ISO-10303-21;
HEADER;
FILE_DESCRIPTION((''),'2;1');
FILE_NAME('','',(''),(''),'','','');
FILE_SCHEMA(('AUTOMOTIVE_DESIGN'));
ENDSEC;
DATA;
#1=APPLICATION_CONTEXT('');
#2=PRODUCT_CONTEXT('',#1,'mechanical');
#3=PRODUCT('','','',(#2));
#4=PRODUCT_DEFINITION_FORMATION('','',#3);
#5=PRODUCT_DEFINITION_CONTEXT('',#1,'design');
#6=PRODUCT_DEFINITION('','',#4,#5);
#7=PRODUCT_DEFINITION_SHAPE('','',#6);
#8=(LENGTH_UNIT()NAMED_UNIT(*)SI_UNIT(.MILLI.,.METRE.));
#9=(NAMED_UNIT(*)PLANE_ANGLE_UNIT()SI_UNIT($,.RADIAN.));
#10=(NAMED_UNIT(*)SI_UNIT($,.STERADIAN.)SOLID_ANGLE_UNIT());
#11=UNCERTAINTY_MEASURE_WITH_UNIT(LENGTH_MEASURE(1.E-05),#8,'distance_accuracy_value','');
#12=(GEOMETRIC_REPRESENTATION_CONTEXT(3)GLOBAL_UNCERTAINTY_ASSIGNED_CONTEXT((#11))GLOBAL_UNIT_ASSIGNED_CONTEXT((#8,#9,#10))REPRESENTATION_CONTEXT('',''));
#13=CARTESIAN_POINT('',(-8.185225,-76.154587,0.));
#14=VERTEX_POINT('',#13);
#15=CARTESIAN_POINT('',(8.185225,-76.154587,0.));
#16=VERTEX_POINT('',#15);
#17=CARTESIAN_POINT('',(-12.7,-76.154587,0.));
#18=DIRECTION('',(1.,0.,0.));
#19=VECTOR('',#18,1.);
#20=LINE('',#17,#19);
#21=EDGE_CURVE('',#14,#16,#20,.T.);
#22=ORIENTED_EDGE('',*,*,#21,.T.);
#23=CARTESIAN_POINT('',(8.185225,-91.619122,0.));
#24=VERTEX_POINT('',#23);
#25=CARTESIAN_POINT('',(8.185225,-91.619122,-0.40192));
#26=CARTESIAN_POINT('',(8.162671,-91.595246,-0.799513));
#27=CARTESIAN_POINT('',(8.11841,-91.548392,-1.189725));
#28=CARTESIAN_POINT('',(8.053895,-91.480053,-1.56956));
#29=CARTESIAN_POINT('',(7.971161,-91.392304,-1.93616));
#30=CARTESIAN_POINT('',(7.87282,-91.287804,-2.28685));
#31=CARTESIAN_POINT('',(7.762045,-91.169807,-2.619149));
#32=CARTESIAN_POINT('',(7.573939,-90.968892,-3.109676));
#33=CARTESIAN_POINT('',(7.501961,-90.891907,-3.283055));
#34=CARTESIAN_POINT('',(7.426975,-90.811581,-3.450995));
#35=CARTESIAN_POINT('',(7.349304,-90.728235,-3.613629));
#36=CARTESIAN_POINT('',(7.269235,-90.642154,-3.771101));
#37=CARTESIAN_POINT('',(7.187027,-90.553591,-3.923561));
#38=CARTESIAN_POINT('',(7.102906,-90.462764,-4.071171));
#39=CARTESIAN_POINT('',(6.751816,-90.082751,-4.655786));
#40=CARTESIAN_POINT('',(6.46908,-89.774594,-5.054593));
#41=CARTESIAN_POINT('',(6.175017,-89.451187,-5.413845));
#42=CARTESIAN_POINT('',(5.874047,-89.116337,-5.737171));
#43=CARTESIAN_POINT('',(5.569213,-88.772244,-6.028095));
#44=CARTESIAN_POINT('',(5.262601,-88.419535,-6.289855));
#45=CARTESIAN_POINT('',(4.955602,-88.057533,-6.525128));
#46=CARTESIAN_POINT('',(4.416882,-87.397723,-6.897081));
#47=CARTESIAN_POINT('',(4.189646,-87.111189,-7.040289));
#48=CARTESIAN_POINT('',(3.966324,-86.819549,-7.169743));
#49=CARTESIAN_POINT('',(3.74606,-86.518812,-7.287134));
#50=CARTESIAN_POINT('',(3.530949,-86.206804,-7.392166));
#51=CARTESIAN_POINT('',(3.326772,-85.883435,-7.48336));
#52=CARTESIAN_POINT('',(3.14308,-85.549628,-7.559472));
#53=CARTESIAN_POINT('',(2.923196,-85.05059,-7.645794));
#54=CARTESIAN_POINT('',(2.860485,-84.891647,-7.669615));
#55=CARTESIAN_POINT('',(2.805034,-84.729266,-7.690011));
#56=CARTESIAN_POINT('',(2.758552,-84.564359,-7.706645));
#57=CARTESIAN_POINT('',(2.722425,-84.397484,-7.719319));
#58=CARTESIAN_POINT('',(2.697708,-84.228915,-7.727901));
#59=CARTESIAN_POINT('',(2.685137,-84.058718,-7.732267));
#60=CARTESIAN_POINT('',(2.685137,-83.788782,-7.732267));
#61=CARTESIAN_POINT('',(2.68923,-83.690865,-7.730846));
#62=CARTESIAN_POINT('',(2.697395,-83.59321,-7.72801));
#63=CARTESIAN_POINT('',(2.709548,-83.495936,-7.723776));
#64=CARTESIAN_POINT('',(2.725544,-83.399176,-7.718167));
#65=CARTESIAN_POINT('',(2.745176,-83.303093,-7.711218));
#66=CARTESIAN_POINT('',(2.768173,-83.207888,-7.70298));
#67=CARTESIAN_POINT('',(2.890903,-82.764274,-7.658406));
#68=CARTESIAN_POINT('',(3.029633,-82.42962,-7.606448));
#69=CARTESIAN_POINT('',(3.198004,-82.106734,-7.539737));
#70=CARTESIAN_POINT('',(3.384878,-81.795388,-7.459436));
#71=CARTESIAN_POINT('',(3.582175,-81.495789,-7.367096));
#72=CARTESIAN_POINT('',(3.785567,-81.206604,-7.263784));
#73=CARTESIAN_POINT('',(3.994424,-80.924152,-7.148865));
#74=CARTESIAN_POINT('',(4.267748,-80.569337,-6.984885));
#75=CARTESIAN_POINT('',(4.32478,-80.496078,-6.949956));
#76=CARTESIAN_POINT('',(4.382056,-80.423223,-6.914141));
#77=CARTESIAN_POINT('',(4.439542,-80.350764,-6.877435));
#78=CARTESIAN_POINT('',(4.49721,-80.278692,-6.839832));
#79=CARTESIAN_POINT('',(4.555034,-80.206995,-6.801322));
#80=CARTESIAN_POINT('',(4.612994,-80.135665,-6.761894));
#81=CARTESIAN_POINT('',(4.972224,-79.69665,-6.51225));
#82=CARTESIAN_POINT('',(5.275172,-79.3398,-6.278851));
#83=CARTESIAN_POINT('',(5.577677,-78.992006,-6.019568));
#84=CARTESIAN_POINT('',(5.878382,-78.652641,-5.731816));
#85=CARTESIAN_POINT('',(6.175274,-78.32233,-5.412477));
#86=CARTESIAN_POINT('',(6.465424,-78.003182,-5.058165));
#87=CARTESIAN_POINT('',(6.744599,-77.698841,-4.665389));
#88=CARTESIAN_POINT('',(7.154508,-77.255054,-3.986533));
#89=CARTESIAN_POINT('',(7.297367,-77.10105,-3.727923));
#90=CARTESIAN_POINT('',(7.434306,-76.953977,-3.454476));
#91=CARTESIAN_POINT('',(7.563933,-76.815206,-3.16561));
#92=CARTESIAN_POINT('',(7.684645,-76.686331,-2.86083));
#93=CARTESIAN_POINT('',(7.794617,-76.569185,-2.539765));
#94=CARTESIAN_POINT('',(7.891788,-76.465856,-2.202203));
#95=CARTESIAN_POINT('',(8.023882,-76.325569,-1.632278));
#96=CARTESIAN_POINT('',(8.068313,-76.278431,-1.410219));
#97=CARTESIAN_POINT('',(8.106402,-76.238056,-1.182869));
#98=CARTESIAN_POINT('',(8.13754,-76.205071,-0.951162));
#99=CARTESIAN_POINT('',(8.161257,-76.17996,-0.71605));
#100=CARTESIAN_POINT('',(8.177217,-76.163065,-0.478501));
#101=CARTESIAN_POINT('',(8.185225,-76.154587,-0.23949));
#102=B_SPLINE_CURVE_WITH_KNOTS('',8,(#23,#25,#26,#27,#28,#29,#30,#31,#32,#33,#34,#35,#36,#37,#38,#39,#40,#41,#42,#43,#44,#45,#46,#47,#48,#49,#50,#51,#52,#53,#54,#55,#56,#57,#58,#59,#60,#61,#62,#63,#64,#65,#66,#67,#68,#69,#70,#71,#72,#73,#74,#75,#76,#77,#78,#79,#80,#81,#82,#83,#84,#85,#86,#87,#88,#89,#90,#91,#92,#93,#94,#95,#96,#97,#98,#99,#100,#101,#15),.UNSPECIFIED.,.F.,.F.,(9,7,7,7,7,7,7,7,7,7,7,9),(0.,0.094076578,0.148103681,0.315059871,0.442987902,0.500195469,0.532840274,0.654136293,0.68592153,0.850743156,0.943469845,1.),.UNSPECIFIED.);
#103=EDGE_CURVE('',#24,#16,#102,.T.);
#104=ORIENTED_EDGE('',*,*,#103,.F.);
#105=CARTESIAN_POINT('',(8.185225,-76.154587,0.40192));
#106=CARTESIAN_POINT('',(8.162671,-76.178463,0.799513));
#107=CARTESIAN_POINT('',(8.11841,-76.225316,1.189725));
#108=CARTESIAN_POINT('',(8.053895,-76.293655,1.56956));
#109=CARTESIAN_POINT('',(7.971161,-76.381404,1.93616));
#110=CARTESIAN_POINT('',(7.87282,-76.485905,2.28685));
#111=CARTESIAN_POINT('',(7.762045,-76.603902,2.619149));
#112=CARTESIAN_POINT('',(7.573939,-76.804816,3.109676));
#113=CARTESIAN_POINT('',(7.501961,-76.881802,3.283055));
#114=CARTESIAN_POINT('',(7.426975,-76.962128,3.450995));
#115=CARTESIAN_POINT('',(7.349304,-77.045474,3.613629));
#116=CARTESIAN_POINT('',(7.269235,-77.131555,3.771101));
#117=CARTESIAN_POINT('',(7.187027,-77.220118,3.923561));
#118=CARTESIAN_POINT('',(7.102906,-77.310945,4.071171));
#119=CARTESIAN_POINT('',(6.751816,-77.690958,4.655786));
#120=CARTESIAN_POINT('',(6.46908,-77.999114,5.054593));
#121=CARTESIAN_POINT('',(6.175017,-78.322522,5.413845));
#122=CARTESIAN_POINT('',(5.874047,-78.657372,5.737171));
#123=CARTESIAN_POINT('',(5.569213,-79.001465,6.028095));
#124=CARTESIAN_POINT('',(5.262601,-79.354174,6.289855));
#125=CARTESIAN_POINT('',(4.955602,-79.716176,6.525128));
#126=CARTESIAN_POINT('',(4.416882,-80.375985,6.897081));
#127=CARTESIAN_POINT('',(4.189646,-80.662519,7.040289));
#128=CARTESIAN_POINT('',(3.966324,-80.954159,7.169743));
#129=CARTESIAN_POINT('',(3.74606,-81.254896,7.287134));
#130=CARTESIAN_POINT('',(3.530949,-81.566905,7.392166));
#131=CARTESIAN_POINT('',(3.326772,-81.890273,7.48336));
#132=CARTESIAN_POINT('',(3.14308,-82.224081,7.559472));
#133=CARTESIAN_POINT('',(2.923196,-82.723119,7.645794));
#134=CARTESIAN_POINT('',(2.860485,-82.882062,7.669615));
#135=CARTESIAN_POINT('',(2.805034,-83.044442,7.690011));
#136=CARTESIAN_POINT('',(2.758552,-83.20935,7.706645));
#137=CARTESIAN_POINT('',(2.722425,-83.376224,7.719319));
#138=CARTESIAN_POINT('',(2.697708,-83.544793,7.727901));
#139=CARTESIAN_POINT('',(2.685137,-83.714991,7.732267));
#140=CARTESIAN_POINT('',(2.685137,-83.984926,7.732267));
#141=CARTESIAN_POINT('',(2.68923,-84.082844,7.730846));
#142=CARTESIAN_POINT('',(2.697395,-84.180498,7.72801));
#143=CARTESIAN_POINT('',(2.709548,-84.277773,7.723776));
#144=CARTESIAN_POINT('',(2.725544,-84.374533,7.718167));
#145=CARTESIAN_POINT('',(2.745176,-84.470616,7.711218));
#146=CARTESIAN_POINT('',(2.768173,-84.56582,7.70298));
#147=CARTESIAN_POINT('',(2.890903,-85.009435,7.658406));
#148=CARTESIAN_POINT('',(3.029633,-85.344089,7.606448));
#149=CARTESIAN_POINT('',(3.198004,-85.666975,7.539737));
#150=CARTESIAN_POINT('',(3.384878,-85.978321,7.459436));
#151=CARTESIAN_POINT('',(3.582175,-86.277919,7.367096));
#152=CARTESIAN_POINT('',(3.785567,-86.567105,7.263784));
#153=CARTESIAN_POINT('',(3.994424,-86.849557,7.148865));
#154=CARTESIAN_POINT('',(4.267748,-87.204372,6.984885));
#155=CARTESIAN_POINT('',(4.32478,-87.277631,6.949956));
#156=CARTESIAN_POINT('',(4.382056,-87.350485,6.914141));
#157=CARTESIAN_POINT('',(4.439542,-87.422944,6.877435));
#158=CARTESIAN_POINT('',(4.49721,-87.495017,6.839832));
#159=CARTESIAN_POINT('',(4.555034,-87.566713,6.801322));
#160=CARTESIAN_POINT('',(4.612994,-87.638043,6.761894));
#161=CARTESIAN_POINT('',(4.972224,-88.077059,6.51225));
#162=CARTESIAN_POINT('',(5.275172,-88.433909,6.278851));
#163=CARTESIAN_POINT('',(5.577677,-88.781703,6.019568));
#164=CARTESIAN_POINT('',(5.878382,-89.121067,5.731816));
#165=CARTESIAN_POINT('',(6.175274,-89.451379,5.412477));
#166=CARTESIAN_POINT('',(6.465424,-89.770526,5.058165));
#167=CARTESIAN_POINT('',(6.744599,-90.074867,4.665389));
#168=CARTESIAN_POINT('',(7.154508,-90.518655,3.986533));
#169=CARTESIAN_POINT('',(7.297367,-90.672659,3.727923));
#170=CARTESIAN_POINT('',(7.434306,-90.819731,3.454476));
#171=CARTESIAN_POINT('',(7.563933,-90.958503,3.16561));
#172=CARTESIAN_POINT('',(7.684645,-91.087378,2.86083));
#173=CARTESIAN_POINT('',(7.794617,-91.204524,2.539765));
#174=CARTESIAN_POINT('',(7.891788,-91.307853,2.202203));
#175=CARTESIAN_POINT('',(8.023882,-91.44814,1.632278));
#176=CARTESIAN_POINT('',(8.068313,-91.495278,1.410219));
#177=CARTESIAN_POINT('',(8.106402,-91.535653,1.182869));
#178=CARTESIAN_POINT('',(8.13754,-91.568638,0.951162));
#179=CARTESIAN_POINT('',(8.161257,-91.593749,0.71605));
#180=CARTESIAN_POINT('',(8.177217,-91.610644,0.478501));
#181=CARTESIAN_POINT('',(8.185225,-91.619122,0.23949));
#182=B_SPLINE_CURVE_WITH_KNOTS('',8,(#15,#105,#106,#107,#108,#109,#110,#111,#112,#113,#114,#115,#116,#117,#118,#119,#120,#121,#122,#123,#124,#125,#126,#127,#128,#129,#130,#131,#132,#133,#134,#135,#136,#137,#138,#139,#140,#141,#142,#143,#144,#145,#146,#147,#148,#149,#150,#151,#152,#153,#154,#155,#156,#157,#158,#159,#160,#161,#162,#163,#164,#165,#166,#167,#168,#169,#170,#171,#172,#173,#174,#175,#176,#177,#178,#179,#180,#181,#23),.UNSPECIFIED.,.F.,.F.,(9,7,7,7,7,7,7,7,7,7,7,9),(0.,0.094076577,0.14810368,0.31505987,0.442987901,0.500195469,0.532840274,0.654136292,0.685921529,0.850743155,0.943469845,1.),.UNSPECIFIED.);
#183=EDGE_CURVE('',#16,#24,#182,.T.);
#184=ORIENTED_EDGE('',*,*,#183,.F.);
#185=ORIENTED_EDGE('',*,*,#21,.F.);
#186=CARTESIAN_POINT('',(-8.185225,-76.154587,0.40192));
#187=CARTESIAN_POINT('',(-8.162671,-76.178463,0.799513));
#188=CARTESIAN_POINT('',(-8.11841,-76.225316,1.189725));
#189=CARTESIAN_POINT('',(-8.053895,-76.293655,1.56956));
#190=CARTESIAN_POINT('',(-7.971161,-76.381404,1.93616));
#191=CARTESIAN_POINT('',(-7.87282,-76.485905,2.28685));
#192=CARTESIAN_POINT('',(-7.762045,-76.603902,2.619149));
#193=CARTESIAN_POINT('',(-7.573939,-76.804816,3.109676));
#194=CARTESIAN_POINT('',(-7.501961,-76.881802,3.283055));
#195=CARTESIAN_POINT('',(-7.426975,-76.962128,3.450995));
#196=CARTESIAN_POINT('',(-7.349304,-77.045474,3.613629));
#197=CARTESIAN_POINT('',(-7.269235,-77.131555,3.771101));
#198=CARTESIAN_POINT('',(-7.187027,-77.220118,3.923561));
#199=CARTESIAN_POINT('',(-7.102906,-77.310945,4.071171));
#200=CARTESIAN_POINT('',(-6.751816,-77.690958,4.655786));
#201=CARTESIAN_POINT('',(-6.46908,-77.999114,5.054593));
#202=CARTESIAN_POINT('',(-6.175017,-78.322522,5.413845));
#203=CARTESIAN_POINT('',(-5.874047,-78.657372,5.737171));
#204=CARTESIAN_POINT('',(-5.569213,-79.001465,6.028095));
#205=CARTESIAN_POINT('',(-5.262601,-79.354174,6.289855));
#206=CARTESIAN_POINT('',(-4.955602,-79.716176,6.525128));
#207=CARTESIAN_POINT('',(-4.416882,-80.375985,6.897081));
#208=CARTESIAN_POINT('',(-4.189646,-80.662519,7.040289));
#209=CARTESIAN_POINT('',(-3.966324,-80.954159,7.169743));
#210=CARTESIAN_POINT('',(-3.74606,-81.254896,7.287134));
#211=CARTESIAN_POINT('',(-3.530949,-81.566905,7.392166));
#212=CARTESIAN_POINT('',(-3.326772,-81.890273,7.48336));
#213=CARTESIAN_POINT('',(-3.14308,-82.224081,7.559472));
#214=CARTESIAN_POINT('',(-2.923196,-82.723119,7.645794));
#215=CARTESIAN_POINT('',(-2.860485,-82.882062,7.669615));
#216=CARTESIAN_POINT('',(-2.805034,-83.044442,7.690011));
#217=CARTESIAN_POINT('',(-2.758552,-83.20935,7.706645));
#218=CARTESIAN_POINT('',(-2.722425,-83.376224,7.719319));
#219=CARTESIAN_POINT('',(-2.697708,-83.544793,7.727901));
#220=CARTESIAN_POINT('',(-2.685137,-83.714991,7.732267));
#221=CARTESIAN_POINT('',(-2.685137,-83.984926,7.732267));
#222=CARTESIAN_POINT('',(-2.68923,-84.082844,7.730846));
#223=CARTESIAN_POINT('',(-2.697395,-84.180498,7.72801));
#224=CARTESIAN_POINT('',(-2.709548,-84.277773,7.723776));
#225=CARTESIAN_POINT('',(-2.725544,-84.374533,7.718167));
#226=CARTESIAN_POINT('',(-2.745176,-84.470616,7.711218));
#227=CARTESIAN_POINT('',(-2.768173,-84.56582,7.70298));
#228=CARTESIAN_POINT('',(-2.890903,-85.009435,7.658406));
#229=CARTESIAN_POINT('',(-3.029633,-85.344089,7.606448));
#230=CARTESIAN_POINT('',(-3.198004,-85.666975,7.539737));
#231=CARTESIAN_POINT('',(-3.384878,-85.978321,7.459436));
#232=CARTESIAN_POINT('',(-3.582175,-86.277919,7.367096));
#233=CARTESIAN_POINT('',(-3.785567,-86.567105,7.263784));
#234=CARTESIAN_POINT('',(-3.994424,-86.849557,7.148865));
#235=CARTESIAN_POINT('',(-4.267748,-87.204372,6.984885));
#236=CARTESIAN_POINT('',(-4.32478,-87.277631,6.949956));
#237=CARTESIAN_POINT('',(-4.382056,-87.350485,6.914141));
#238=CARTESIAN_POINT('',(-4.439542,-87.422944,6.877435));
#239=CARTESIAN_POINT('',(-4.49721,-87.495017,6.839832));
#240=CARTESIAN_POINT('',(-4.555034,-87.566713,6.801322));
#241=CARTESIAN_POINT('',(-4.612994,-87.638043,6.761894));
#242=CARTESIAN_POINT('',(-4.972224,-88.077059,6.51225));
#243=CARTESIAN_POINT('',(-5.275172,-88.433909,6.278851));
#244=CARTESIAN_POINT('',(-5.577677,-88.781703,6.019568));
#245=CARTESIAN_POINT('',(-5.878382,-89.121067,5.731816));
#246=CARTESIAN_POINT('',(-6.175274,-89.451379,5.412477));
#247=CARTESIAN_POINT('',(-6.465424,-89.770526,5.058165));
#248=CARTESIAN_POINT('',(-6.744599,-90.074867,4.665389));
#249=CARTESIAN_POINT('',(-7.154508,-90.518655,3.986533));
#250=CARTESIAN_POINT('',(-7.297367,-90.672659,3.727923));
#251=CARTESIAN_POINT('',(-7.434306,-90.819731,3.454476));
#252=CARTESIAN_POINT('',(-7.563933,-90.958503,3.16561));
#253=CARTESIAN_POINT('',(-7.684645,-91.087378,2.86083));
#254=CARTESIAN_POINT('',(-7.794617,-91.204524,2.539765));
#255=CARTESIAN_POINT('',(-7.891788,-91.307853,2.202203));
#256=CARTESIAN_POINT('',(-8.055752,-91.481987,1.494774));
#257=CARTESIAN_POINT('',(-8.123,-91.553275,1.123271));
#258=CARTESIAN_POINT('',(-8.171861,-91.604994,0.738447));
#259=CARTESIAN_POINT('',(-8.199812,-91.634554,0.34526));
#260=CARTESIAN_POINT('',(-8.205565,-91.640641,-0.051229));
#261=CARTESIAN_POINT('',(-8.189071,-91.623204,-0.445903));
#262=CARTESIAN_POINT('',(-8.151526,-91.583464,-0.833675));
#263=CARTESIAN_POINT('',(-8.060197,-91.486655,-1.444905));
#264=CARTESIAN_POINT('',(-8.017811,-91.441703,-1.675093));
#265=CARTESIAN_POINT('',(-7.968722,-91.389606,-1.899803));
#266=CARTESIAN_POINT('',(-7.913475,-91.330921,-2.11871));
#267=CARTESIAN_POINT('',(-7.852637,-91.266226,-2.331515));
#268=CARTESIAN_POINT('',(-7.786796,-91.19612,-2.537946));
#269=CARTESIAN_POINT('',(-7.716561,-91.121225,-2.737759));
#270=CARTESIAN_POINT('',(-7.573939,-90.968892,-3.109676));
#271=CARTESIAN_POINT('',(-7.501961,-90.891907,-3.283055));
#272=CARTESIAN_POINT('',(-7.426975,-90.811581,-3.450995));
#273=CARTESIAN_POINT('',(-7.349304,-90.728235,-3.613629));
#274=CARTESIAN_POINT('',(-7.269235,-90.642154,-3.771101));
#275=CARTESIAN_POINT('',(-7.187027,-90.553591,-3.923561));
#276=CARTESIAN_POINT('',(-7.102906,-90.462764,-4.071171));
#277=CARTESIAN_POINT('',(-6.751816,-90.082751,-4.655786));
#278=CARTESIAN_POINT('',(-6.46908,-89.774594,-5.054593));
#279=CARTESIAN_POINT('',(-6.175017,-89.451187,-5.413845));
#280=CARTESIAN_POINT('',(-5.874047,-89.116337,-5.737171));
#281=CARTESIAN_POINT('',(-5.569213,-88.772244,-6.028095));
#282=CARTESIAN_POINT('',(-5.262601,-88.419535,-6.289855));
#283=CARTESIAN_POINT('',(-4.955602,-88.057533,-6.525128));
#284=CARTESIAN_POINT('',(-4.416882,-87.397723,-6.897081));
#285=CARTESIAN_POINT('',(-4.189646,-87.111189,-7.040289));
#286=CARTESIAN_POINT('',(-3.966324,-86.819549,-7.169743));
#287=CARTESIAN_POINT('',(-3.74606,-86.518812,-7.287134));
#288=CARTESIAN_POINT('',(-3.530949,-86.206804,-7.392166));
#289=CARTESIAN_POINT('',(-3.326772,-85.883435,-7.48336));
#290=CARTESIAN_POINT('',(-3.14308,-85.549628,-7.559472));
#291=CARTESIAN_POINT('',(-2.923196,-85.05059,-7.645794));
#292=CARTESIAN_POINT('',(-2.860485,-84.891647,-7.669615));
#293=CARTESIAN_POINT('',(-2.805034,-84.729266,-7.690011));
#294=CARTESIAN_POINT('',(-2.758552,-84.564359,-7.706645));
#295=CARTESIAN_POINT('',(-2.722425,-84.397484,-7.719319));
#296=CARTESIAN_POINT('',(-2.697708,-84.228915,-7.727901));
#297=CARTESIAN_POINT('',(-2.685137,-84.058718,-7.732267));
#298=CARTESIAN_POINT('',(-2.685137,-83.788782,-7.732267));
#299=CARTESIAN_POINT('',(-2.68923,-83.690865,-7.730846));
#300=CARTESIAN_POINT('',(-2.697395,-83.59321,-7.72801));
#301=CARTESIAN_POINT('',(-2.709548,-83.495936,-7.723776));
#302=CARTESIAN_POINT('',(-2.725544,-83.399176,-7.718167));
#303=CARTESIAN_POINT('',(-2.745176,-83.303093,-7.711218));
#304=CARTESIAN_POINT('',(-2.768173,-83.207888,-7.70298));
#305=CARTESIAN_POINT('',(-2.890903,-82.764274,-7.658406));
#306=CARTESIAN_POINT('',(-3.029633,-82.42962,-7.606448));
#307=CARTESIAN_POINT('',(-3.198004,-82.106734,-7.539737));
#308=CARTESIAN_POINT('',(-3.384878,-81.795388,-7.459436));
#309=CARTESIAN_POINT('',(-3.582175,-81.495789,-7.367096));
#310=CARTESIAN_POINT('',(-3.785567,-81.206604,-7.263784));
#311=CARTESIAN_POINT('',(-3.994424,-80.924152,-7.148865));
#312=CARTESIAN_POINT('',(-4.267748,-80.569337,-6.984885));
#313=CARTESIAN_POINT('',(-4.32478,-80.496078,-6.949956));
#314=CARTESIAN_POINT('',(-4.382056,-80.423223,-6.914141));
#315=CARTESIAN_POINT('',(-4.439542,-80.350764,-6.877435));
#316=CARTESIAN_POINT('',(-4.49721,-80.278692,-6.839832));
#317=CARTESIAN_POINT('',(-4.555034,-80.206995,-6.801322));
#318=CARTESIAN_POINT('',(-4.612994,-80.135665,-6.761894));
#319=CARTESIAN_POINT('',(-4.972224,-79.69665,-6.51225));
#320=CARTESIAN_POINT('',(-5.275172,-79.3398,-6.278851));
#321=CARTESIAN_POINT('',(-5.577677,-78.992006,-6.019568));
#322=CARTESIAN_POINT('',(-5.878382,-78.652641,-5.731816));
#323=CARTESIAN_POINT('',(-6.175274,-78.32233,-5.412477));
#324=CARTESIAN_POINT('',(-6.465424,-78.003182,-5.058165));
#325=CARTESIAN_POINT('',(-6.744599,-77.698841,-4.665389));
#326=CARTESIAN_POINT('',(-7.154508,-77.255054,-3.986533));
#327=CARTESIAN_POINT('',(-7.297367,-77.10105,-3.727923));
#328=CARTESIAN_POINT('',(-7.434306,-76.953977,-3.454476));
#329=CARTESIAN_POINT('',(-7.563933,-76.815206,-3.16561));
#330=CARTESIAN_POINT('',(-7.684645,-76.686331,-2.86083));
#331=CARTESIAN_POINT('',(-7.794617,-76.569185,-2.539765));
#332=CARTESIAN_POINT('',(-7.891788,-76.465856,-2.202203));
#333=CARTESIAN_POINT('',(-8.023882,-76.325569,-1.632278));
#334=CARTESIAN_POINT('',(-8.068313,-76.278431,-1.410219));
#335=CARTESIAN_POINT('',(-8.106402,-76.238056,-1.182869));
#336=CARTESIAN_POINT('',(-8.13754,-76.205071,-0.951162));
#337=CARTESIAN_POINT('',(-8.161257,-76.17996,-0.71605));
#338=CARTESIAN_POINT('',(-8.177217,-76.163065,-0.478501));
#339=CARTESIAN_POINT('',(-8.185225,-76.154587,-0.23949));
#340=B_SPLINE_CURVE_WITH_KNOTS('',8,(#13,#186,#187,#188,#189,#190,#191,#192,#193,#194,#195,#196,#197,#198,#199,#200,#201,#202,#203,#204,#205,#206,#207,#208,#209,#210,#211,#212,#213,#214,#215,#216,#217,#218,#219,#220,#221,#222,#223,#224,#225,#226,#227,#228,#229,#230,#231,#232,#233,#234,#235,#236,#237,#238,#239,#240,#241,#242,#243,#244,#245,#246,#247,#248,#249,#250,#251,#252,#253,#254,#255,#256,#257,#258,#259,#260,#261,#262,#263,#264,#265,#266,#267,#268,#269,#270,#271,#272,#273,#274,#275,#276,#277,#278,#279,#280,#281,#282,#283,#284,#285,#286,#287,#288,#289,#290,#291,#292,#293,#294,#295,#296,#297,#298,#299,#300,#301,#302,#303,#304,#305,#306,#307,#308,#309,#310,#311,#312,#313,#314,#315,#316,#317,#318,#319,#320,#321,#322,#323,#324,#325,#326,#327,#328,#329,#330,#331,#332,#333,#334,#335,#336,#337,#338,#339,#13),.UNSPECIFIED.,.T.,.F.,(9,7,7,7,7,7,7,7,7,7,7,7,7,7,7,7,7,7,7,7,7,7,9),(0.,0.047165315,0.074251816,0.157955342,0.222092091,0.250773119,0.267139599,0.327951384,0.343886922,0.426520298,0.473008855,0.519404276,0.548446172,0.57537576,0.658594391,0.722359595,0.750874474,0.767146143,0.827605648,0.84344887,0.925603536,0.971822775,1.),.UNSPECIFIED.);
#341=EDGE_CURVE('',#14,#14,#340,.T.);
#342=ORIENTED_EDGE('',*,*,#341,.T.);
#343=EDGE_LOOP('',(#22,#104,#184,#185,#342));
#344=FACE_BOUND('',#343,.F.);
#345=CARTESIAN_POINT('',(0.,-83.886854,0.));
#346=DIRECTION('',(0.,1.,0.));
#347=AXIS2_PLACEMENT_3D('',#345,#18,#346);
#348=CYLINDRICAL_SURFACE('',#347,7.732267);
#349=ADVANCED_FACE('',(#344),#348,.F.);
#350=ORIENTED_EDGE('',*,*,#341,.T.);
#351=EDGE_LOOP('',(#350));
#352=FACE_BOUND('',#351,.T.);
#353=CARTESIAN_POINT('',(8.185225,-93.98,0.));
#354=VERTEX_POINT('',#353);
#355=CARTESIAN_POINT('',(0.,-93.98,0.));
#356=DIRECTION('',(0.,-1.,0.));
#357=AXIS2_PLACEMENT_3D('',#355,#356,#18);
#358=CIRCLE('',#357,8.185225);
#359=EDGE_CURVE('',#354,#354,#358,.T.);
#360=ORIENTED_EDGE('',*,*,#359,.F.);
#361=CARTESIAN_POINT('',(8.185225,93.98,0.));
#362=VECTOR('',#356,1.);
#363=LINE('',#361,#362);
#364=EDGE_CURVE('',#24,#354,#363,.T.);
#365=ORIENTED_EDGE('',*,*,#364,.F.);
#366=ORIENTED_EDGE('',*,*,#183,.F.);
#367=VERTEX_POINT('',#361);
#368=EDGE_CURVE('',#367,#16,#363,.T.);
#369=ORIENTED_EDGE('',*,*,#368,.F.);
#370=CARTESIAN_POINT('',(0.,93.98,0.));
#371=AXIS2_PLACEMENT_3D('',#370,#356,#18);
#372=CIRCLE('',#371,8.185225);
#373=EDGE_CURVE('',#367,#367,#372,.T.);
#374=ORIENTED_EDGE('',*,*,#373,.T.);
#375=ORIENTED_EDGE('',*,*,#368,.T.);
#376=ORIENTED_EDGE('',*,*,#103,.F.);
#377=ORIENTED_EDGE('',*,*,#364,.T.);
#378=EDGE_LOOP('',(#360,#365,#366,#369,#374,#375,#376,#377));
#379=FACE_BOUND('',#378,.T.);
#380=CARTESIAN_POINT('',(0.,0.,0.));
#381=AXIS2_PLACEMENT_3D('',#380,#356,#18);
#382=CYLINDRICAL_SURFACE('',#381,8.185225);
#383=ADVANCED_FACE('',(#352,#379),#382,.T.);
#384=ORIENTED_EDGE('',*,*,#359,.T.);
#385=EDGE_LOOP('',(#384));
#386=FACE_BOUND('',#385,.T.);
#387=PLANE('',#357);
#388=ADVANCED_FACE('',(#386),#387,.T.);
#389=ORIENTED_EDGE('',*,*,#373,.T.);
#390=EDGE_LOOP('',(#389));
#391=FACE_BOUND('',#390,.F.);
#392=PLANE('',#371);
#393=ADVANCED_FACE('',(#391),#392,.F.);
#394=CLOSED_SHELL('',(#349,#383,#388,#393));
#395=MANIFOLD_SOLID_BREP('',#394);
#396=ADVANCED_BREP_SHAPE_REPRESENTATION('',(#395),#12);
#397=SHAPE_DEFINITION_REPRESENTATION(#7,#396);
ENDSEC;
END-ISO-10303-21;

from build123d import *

# Parameters (mm, degrees)
F0_R     = 8.1852254716
F1_DEPTH = 93.98
F2_R     = 7.7322673155
F3_DEPTH = 12.7


with BuildPart() as f1:
    # F0 (on Front) → F1 (new body, symmetric)
    with BuildSketch(Plane.XZ):
        Circle(F0_R)
    extrude(amount=F1_DEPTH, both=True)

    # F2 (on Right) → F3 (cut, symmetric)
    with BuildSketch(Plane.YZ):
        with Locations((-83.8868543506, 0)):
            Circle(F2_R)
    extrude(amount=F3_DEPTH, both=True, mode=Mode.SUBTRACT)


solid = f1.part
